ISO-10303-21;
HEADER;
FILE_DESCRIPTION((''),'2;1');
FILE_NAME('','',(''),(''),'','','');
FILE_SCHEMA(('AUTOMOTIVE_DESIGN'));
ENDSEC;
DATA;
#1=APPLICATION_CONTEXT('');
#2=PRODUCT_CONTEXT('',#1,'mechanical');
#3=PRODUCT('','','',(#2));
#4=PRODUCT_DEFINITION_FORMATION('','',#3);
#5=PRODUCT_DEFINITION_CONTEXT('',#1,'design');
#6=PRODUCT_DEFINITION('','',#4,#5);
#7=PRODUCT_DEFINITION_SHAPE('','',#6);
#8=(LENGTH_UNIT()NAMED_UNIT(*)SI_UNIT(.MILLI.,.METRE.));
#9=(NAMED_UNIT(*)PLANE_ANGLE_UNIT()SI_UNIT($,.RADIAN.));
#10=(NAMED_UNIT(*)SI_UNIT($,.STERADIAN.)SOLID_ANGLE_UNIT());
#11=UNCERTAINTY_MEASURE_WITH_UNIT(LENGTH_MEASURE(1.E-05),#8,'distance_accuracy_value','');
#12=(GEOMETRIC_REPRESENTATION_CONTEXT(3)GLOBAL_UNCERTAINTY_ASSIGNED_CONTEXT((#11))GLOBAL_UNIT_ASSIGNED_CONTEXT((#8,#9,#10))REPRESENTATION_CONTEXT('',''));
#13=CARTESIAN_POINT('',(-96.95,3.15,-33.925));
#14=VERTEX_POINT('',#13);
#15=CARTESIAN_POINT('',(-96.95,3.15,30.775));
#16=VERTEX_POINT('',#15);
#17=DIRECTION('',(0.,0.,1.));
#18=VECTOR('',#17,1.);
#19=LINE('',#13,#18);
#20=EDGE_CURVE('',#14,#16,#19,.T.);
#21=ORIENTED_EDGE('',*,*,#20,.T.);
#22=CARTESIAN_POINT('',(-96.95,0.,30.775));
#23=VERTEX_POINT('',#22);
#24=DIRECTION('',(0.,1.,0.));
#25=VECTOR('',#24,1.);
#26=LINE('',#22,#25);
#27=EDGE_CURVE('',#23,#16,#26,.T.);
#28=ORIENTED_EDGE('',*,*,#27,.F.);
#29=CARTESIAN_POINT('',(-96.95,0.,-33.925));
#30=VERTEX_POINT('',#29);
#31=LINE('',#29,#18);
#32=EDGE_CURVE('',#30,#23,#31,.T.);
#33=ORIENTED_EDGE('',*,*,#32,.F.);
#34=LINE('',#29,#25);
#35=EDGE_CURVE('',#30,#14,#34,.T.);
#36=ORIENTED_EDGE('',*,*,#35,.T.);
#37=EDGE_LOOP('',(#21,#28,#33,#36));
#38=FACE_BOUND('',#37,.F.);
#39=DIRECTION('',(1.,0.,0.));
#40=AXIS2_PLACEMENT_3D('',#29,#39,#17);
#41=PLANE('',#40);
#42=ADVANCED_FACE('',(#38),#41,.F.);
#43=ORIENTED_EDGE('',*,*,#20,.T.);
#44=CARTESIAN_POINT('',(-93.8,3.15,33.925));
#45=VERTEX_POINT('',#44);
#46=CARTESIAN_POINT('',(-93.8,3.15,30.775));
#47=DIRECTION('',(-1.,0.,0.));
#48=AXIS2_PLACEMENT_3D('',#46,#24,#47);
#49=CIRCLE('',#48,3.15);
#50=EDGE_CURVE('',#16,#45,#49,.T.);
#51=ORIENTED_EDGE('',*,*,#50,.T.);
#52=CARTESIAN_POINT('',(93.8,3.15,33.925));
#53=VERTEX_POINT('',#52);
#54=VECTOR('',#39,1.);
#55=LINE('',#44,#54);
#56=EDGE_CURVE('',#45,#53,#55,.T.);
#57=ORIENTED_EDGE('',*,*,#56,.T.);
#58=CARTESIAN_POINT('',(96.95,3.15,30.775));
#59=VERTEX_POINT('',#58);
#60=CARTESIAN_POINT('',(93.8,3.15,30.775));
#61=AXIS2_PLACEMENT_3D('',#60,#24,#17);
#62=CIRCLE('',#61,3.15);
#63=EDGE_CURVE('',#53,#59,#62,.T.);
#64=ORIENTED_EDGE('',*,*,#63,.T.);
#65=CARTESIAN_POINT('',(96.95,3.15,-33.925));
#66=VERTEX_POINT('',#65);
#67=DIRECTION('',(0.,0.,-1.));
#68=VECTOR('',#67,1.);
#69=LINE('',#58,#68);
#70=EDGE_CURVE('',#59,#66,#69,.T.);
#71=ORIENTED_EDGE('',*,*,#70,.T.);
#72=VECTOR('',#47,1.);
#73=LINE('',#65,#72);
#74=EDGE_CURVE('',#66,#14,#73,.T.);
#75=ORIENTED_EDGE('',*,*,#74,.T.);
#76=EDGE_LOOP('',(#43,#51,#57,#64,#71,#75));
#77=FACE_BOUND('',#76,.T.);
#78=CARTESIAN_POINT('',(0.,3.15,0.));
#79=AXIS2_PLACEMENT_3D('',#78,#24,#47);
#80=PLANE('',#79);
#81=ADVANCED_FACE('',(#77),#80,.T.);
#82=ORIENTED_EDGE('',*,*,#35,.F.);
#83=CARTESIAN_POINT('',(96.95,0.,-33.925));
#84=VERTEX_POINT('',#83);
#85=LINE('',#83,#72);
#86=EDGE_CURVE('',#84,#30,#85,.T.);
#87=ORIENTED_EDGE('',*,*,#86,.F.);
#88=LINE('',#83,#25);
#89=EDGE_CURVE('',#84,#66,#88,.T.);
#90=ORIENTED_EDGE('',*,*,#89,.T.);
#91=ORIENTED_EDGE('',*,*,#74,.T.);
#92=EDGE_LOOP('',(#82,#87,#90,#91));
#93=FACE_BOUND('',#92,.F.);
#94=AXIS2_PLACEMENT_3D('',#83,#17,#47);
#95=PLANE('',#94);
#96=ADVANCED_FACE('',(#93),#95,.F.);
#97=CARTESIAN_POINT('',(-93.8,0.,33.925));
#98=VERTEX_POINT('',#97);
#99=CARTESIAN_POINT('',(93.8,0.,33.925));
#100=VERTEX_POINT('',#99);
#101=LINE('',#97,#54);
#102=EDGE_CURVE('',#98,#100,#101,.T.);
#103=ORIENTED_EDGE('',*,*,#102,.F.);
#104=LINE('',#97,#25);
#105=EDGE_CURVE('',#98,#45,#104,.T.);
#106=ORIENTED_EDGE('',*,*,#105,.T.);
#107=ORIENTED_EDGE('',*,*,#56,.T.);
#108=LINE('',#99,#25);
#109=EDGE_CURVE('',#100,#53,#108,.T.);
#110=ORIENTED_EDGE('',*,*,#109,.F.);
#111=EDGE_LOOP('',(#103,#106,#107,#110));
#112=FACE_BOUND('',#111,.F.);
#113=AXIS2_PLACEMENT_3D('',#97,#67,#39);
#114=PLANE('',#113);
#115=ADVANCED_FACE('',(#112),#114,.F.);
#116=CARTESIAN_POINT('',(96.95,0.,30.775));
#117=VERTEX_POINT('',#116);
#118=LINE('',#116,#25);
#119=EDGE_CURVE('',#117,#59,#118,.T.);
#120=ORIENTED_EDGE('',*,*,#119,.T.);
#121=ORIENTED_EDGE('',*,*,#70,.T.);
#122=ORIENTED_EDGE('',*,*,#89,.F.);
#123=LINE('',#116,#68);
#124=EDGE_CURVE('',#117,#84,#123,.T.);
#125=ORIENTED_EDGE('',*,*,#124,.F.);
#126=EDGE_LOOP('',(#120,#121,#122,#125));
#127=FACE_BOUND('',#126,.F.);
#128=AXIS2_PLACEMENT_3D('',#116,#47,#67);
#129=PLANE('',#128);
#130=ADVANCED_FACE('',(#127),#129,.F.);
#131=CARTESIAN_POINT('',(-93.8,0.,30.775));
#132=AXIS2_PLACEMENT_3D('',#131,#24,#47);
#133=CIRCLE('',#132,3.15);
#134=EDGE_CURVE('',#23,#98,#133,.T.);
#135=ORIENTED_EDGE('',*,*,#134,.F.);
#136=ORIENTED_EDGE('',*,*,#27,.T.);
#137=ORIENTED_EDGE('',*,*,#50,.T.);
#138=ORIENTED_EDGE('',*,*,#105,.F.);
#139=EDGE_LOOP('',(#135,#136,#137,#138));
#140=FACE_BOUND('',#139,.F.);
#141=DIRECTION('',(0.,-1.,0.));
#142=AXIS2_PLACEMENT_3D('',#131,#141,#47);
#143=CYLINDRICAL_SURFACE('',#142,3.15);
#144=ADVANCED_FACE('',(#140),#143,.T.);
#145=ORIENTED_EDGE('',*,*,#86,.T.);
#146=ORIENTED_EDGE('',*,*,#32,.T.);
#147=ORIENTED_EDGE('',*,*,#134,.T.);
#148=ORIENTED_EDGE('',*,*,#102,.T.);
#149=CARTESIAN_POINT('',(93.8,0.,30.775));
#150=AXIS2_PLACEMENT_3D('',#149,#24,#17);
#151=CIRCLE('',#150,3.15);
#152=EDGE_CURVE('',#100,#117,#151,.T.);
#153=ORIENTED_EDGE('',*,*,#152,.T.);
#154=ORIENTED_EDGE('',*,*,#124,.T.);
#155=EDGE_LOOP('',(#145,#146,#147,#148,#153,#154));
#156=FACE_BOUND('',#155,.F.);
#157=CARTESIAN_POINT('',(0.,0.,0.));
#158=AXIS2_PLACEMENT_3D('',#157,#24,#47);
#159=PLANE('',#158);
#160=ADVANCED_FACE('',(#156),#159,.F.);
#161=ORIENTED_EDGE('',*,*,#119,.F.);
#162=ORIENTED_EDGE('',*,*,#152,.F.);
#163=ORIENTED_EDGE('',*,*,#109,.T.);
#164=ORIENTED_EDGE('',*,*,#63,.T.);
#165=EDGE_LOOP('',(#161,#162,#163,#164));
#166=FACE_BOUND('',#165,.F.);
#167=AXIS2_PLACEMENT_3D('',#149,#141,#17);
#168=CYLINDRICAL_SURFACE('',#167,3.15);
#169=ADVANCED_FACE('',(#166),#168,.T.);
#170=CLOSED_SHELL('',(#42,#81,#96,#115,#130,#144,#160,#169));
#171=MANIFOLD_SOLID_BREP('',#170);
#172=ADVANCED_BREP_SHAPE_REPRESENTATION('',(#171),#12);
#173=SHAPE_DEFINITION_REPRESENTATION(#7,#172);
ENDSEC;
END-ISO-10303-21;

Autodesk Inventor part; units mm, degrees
ref_plane "YZ Plane" through (0, 0, 0) normal (1, 0, 0) x (0, 1, 0)
ref_plane "XZ Plane" through (0, 0, 0) normal (0, 1, 0) x (-1, 0, 0)
ref_plane "XY Plane" through (0, 0, 0) normal (0, 0, 1) x (1, 0, 0)
sketch "Sketch1" plane through (0, 0, 0) normal (0, 1, 0) x (-1, 0, 0)
  line L0 (-96.95, -33.925) -> (96.95, -33.925)
  line L1 (96.95, -33.925) -> (96.95, 30.775)
  line L2 (93.8, 33.925) -> (-93.8, 33.925)
  line L3 (-96.95, 30.775) -> (-96.95, -33.925)
  line L4 (-96.95, -33.925) -> (96.95, 33.925) construction
  line L5 (96.95, -33.925) -> (-96.95, 33.925) construction
  arc A0 (-93.8, 33.925) -> (-96.95, 30.775) centre (-93.8, 30.775) ccw
  arc A1 (96.95, 30.775) -> (93.8, 33.925) centre (93.8, 30.775) ccw
  point P0 (0, 0)
  dimension "d0" = 193.9
  dimension "d1" = 67.85
  dimension "d2" = 3.15
extrude "Extrusion1" add sketch "Sketch1" along normal blind 3.15
equation "\"d0\" = shield_x - 2 * shield_t"
equation "\"d1\" = shield_y - shield_t"
equation "\"d2\" = shield_t"
equation "\"d3\" = shield_t"
equation "\"laserresin\" = 5"
equation "\"st1_thickness\" = 0.91186"
equation "\"st2_thickness\" = 1.5875"
equation "\"al1_thickness\" = 0.79375"
equation "\"al2_thickness\" = 1.5875"
equation "\"bend_factor\" = 2.26205"
equation "\"st1_bend\" = 2.06267"
equation "\"st2_bend\" = 3.591"
equation "\"st3_bend\" = 113.10236"
equation "\"al1_bend\" = 1.7955"
equation "\"al2_bend\" = 3.591"
equation "\"al3_bend\" = 113.10236"
equation "\"acrylic1_thickness\" = 5.88"
equation "\"acrylic2_thickness\" = 3.15"
equation "\"acrylic3_thickness\" = 3.15"
equation "\"corner_small_r\" = 1"
equation "\"corner_big_r\" = 5"
equation "\"linear_bearing_spacing\" = 208"
equation "\"galvo_y_out_offset\" = 27"
equation "\"galvo_y_in_offset\" = 17.5"
equation "\"laser_diameter\" = 13"
equation "\"nema17_x\" = 43"
equation "\"nema17_shaft\" = 24"
equation "\"lmk8uu_x\" = 25"
equation "\"lmk8uu_shaft\" = 15"
equation "\"lmk8uu_z\" = 24"
equation "\"shf8_y\" = 43"
equation "\"acme_nut_d\" = 19.1"
equation "\"acme_nut_upper_d\" = 12.7"
equation "\"handle_spacing\" = 50.8"
equation "\"handle_d\" = 4.7625"
equation "\"handle_hole_d\" = 2.845"
equation "\"handle_projection\" = 20.6375"
equation "\"switch_spacing\" = 19"
equation "\"laser_body_diameter\" = 12"
equation "\"m3_diameter\" = 3"
equation "\"m3_head\" = 6"
equation "\"m4_diameter\" = 4"
equation "\"m5_diameter\" = 5"
equation "\"m5_head\" = 10.3"
equation "\"rivet1_diameter\" = 3.26"
equation "\"rivet2_diameter\" = 3.26"
equation "\"brass_insert_drill\" = 4"
equation "\"m5_brass_insert_drill\" = 6.7"
equation "\"m3_press_nut_drill\" = 4.5"
equation "\"m5_press_nut_drill\" = 6.5"
equation "\"platform_t\" = 1.5875"
equation "\"platform_z\" = 65"
equation "\"platform_fold_x\" = 15"
equation "\"platform_crane_gap\" = 0.1"
equation "\"platform_gap\" = 0.1"
equation "\"platform_upper_y\" = 46.625"
equation "\"crane_t\" = 1.5875"
equation "\"crane_x\" = 233"
equation "\"crane_gap\" = 0.1"
equation "\"tray_t\" = 5.88"
equation "\"tray_to_platform_oversize\" = 0"
equation "\"reservoir_t\" = 0.91186"
equation "\"reservoir_z\" = 35"
equation "\"reservoir_flap_y\" = 20.91186"
equation "\"frame_front_t\" = 0.91186"
equation "\"frame_front_y\" = 56"
equation "\"frame_front_fold\" = 15"
equation "\"frame_gap\" = 0.1"
equation "\"frame_back_t\" = 0.91186"
equation "\"frame_back_x\" = 277.97628"
equation "\"frame_back_y\" = 53.97628"
equation "\"frame_back_z\" = 497.97628"
equation "\"drawer_t\" = 0.91186"
equation "\"drawer_gap\" = 0.1"
equation "\"drawer_reservoir_overlap_x\" = 24.08814"
equation "\"drawer_x\" = 202.02372"
equation "\"drawer_y\" = 73"
equation "\"drawer_seal_y\" = 101"
equation "\"drawer_window_gap\" = 6"
equation "\"foot_t\" = 0.91186"
equation "\"foot_x\" = 198"
equation "\"foot_y\" = 196"
equation "\"laser_holder_t\" = 0.91186"
equation "\"laser_holder_z\" = 75"
equation "\"laser_offset_x\" = 59"
equation "\"laser_offset_y\" = 8.5"
equation "\"subframe_t\" = 0.79375"
equation "\"subframe_x\" = 66"
equation "\"subframe_y\" = 55"
equation "\"shield_t\" = 3.15"
equation "\"shield_x\" = 200.2"
equation "\"shield_y\" = 71"
equation "\"shield_z\" = 259.9"
equation "\"magnet_t\" = 1.6"
equation "\"magnet_w\" = 12.8"
equation "\"sae_4_40_diameter\" = 2.845"
properties part number "shield2b"
